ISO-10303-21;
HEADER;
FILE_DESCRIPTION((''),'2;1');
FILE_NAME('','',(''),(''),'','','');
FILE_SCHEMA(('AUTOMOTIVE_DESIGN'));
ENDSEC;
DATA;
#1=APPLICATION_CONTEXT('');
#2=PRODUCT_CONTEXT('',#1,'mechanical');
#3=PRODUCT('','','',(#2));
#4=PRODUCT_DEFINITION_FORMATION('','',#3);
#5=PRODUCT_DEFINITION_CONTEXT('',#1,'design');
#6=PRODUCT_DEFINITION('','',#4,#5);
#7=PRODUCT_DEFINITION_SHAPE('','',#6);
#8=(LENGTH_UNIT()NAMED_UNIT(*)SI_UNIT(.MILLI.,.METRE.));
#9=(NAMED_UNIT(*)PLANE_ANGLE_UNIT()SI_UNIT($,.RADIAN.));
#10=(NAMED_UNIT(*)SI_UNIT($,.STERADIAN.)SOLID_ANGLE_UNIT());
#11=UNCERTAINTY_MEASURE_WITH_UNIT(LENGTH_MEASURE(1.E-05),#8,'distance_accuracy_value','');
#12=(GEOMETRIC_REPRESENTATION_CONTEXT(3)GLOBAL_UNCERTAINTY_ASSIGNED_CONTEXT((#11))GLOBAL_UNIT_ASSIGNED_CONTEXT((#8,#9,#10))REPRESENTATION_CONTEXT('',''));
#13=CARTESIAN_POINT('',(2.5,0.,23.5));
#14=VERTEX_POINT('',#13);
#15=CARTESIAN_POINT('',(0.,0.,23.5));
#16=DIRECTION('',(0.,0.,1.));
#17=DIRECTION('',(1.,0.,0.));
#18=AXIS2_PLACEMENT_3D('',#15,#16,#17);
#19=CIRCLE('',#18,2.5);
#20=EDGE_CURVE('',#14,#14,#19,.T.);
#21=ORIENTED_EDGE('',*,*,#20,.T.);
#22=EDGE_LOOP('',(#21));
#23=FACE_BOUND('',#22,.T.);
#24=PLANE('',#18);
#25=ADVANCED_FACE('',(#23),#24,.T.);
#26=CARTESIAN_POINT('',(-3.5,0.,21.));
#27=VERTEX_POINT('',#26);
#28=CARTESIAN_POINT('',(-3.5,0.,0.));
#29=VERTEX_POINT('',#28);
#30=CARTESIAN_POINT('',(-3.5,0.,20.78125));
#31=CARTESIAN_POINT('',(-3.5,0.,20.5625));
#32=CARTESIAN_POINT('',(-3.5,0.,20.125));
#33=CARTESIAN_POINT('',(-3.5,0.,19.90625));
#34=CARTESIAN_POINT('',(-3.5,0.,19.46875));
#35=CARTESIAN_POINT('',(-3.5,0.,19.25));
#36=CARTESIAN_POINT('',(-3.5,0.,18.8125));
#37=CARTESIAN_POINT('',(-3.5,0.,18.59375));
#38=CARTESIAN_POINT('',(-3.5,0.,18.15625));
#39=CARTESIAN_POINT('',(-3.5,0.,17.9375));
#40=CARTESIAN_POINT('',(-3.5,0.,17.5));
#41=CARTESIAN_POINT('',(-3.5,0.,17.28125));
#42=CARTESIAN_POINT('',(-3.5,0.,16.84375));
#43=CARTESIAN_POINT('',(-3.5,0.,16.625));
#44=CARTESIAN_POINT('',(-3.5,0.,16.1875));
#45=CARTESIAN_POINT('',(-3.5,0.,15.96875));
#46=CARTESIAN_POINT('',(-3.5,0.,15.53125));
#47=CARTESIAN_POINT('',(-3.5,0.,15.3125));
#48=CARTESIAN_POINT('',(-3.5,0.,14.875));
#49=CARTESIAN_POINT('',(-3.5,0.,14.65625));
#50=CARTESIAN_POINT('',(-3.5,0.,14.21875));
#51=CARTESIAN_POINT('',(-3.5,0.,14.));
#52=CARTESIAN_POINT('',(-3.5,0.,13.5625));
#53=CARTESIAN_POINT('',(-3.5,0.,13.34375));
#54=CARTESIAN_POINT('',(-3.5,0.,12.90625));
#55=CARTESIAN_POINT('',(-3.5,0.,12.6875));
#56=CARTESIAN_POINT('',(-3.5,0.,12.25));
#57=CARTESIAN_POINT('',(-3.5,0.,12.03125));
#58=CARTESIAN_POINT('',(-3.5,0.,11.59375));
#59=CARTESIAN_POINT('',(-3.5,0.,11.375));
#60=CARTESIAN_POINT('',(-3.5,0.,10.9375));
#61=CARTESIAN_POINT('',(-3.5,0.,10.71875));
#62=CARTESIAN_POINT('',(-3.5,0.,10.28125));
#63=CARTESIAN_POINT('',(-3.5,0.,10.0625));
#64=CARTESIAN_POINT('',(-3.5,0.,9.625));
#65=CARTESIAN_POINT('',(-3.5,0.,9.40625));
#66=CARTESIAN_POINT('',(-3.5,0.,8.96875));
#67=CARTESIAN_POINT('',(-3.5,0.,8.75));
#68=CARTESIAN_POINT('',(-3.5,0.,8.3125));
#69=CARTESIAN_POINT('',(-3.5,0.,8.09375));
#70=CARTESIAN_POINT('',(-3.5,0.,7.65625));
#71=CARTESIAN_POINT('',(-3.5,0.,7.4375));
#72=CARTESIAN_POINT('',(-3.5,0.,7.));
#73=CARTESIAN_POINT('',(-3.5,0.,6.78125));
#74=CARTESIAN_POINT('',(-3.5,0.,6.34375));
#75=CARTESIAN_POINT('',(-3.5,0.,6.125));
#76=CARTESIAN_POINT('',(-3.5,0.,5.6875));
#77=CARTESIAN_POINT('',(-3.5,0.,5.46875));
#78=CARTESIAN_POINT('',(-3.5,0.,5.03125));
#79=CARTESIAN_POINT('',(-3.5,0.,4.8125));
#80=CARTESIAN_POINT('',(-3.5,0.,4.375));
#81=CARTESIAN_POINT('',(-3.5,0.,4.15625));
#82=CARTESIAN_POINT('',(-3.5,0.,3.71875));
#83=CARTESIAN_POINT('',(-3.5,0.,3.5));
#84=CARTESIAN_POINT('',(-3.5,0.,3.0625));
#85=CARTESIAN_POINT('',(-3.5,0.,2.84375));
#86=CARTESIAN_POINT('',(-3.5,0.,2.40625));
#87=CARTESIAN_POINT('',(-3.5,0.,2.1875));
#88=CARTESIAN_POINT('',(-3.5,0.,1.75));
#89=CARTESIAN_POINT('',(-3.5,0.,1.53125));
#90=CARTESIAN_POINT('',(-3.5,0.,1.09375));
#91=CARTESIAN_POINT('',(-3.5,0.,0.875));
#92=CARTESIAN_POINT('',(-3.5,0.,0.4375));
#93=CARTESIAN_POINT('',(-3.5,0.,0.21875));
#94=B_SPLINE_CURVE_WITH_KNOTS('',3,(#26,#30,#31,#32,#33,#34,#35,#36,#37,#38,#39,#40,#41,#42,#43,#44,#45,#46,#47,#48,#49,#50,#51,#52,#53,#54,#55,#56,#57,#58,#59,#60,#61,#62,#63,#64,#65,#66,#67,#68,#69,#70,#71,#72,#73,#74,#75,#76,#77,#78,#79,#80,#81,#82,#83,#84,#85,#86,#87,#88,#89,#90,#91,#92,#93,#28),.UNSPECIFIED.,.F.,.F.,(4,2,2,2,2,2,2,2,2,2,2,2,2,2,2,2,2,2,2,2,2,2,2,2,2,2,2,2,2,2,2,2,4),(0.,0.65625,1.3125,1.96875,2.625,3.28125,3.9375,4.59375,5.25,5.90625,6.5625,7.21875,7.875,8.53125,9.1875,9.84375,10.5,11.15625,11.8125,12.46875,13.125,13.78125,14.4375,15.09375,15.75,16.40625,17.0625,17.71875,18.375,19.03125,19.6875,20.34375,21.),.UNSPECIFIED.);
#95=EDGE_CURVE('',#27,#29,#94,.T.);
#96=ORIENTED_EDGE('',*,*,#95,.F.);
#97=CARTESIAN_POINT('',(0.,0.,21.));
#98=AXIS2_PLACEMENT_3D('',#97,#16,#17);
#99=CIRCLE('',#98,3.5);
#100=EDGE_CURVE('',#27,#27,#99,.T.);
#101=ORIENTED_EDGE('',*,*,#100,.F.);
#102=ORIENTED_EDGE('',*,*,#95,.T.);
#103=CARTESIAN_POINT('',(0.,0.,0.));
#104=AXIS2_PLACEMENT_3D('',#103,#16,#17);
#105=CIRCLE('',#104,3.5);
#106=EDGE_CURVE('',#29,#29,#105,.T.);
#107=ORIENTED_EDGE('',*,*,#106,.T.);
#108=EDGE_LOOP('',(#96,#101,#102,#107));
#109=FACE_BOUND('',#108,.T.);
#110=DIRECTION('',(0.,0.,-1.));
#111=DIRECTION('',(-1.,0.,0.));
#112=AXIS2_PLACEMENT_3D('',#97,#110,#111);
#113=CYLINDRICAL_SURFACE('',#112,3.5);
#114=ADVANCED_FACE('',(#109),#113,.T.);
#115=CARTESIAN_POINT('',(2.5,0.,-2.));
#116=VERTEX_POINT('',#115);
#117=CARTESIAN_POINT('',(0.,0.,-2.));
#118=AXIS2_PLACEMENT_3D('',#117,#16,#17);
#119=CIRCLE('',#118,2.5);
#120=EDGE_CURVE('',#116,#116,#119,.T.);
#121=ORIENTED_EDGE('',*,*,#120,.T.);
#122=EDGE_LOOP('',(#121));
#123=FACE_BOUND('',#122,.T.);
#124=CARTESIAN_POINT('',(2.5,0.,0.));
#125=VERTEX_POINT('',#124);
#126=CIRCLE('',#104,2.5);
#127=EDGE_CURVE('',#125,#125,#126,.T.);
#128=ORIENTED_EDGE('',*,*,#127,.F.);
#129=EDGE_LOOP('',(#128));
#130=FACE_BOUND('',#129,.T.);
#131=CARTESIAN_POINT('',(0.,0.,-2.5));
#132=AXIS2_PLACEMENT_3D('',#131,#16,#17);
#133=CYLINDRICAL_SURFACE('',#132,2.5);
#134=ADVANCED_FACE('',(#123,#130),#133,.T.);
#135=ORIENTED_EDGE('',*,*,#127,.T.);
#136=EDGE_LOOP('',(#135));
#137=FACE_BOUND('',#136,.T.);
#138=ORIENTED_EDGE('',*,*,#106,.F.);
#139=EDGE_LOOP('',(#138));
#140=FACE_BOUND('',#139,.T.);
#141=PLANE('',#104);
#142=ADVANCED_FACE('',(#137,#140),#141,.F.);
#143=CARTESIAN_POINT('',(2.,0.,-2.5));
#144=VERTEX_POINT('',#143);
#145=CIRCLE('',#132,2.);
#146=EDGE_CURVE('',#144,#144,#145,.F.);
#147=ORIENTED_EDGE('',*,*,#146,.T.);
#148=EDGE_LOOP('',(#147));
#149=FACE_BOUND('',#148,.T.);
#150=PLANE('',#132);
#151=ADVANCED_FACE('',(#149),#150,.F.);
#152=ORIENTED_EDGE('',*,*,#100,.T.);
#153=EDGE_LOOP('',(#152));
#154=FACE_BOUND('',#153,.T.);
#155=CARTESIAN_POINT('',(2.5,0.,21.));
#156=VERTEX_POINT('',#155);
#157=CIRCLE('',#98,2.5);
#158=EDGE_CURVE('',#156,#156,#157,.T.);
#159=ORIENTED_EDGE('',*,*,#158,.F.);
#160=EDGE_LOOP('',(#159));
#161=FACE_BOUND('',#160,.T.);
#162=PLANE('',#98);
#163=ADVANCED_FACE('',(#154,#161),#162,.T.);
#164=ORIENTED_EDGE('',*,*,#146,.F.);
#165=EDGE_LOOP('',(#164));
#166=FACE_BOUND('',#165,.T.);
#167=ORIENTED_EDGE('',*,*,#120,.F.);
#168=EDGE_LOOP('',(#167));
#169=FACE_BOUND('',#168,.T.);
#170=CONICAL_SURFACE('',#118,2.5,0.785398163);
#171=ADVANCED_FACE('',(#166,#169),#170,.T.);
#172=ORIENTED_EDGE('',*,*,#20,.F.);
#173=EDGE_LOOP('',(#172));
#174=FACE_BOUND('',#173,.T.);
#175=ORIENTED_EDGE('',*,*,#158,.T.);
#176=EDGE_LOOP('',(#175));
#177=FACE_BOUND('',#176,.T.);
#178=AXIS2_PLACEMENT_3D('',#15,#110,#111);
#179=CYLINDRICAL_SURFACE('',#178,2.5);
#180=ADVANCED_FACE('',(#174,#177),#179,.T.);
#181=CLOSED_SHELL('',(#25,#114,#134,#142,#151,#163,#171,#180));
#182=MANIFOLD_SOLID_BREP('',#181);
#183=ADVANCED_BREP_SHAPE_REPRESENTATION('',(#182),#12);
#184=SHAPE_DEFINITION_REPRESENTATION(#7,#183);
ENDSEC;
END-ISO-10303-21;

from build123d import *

# Parameters (mm, degrees)
SKETCH3_R           = 3.5
BOSS_EXTRUDE1_DEPTH = 21
SKETCH4_R           = 2.5
BOSS_EXTRUDE2_DEPTH = 2.5
BOSS_EXTRUDE3_START = 2.5
SKETCH5_R           = 2.5
BOSS_EXTRUDE3_DEPTH = 2.5
CHAMFER1_SIZE       = 0.5


with BuildPart() as part:
    # Sketch3 → Boss-Extrude1 (new body)
    with BuildSketch(Plane.XY):
        with Locations(Location((0, 0, 0), (0, 0, 180))):
            Circle(SKETCH3_R)
    extrude(amount=BOSS_EXTRUDE1_DEPTH)

    # Sketch4 → Boss-Extrude2 (add)
    with BuildSketch(Plane.XY):
        Circle(SKETCH4_R)
    extrude(amount=-BOSS_EXTRUDE2_DEPTH)

    # Sketch5 → Boss-Extrude3 (add)
    with BuildSketch(Plane.XY.offset(21).offset(BOSS_EXTRUDE3_START)):
        Circle(SKETCH5_R)
    extrude(amount=-BOSS_EXTRUDE3_DEPTH)

    # Chamfer1
    chamfer1_edges = [part.edges().sort_by_distance(p)[0] for p in [
        (-2.5, 0, -2.5),
    ]]
    chamfer(chamfer1_edges, length=CHAMFER1_SIZE)


solid = part.part
